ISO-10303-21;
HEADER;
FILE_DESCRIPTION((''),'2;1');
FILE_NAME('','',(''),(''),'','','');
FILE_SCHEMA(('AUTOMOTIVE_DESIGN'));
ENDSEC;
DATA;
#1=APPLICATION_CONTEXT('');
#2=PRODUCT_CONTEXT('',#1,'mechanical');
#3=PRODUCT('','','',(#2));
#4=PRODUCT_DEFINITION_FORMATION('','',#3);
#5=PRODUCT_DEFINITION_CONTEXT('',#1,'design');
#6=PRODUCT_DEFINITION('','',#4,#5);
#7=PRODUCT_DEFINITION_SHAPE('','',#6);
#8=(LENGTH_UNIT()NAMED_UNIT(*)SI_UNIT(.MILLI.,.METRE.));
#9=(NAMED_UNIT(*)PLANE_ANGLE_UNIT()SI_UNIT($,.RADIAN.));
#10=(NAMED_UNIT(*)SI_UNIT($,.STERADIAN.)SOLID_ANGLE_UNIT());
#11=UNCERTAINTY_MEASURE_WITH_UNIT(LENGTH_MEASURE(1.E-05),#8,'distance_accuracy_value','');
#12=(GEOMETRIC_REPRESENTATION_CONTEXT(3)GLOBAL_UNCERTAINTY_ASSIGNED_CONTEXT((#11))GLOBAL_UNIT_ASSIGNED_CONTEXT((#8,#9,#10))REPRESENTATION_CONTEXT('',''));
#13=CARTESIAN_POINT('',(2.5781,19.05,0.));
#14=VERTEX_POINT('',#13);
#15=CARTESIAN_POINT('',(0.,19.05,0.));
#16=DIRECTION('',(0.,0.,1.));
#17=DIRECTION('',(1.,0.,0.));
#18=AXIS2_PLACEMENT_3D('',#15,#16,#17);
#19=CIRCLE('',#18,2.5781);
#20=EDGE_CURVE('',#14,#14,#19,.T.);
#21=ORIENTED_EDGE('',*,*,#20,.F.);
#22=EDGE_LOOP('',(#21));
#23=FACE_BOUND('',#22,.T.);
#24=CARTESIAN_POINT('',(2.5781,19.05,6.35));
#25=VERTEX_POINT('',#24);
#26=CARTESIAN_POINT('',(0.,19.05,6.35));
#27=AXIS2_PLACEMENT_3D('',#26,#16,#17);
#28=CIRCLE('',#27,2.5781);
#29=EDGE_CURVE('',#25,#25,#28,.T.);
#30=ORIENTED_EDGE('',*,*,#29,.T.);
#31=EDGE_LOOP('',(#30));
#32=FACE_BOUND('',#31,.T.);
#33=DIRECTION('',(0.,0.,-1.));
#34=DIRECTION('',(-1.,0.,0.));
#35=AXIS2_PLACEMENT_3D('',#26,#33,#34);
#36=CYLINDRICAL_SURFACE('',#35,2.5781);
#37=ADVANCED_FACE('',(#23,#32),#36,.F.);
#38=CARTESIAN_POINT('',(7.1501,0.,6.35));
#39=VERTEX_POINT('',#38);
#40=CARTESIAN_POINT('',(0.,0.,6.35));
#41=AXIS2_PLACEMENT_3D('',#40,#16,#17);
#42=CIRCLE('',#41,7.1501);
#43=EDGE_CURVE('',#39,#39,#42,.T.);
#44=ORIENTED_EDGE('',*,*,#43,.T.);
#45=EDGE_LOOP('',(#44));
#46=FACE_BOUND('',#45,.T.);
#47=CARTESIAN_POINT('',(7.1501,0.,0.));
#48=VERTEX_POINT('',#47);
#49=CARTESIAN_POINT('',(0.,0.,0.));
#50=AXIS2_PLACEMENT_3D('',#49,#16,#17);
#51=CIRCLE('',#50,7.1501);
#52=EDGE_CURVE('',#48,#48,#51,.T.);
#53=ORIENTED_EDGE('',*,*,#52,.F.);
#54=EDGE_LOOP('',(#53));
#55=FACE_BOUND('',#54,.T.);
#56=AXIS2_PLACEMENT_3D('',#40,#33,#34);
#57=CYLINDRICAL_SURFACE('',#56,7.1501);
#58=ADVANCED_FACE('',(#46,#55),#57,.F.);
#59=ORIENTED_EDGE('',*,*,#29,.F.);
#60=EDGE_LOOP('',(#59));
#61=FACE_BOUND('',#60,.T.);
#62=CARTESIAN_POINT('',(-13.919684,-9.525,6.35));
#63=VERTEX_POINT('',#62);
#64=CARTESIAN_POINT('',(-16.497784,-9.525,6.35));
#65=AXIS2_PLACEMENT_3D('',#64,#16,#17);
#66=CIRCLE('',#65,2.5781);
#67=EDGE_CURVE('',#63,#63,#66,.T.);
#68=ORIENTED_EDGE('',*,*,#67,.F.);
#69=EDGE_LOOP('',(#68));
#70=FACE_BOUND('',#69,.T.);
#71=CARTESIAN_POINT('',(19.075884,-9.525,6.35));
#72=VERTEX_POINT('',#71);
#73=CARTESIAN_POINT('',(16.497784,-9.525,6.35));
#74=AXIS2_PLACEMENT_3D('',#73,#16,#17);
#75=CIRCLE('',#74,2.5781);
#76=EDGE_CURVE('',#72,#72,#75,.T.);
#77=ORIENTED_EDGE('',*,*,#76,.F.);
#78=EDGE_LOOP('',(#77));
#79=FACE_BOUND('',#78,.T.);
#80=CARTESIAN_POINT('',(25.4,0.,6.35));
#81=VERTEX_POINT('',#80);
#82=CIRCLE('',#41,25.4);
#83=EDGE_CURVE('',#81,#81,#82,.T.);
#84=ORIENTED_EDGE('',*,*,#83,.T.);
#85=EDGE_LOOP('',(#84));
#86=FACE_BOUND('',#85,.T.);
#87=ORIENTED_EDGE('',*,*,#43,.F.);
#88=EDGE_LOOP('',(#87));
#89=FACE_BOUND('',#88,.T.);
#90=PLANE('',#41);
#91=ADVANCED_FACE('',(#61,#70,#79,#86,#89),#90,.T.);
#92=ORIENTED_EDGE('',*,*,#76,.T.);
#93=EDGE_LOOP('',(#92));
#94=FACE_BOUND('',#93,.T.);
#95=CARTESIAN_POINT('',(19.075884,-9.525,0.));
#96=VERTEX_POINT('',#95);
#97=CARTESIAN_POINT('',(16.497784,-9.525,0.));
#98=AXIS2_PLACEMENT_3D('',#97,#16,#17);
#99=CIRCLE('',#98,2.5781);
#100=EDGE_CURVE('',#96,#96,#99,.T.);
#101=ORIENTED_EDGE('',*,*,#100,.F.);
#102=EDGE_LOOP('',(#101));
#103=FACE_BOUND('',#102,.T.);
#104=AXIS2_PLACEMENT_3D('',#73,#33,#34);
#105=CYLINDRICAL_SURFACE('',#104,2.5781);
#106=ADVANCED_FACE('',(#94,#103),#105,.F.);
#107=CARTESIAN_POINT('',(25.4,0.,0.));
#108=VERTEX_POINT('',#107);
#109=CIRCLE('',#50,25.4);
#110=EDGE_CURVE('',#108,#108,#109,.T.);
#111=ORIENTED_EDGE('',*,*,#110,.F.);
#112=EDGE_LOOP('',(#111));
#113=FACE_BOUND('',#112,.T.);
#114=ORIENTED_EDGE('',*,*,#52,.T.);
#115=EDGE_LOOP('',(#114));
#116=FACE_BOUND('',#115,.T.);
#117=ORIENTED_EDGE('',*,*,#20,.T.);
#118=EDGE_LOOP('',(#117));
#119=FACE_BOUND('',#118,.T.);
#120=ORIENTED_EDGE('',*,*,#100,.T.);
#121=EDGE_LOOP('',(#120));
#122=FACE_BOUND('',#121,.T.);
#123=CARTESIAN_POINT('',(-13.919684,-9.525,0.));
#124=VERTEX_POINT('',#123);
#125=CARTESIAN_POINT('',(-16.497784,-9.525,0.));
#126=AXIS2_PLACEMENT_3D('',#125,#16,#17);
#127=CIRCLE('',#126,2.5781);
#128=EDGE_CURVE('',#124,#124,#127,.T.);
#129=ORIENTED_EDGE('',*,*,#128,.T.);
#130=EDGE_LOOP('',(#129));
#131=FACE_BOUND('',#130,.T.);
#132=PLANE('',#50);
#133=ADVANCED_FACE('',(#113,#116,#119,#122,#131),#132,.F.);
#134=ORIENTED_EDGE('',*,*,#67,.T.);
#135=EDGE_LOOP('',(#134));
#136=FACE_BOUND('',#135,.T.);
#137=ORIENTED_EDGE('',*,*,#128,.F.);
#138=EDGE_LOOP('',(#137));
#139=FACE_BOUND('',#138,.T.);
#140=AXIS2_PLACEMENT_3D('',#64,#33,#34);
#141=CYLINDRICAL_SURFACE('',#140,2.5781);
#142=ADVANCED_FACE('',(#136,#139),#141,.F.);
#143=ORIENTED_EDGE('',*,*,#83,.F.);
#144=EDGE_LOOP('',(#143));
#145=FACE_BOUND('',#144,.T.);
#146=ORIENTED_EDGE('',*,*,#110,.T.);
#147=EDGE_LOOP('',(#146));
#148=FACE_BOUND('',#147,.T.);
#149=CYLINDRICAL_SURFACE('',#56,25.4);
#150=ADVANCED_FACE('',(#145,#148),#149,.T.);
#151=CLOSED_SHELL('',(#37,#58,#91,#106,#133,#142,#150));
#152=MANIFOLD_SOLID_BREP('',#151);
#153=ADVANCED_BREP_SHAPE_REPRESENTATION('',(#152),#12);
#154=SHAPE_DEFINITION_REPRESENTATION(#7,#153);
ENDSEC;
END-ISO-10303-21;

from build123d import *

# Parameters (mm, degrees)
SKETCH1_R           = 25.4
BOSS_EXTRUDE1_DEPTH = 6.35
SKETCH1_3_R         = 2.5781
CUT_EXTRUDE1_DEPTH  = 6.35
SKETCH1_5_R         = 7.1501
CUT_EXTRUDE2_DEPTH  = 6.35


with BuildPart() as part:
    # Sketch1 → Boss-Extrude1 (new body)
    with BuildSketch(Plane.XY):
        Circle(SKETCH1_R)
    extrude(amount=BOSS_EXTRUDE1_DEPTH)

    # Sketch1<3> → Cut-Extrude1 (cut)
    with BuildSketch(Plane.XY):
        with Locations((0, 19.05)):
            Circle(SKETCH1_3_R)
        with Locations((16.497783942, -9.525)):
            Circle(SKETCH1_3_R)
        with Locations((-16.497783942, -9.525)):
            Circle(SKETCH1_3_R)
    extrude(amount=CUT_EXTRUDE1_DEPTH, mode=Mode.SUBTRACT)

    # Sketch1<5> → Cut-Extrude2 (cut)
    with BuildSketch(Plane.XY):
        Circle(SKETCH1_5_R)
    extrude(amount=CUT_EXTRUDE2_DEPTH, mode=Mode.SUBTRACT)


solid = part.part
